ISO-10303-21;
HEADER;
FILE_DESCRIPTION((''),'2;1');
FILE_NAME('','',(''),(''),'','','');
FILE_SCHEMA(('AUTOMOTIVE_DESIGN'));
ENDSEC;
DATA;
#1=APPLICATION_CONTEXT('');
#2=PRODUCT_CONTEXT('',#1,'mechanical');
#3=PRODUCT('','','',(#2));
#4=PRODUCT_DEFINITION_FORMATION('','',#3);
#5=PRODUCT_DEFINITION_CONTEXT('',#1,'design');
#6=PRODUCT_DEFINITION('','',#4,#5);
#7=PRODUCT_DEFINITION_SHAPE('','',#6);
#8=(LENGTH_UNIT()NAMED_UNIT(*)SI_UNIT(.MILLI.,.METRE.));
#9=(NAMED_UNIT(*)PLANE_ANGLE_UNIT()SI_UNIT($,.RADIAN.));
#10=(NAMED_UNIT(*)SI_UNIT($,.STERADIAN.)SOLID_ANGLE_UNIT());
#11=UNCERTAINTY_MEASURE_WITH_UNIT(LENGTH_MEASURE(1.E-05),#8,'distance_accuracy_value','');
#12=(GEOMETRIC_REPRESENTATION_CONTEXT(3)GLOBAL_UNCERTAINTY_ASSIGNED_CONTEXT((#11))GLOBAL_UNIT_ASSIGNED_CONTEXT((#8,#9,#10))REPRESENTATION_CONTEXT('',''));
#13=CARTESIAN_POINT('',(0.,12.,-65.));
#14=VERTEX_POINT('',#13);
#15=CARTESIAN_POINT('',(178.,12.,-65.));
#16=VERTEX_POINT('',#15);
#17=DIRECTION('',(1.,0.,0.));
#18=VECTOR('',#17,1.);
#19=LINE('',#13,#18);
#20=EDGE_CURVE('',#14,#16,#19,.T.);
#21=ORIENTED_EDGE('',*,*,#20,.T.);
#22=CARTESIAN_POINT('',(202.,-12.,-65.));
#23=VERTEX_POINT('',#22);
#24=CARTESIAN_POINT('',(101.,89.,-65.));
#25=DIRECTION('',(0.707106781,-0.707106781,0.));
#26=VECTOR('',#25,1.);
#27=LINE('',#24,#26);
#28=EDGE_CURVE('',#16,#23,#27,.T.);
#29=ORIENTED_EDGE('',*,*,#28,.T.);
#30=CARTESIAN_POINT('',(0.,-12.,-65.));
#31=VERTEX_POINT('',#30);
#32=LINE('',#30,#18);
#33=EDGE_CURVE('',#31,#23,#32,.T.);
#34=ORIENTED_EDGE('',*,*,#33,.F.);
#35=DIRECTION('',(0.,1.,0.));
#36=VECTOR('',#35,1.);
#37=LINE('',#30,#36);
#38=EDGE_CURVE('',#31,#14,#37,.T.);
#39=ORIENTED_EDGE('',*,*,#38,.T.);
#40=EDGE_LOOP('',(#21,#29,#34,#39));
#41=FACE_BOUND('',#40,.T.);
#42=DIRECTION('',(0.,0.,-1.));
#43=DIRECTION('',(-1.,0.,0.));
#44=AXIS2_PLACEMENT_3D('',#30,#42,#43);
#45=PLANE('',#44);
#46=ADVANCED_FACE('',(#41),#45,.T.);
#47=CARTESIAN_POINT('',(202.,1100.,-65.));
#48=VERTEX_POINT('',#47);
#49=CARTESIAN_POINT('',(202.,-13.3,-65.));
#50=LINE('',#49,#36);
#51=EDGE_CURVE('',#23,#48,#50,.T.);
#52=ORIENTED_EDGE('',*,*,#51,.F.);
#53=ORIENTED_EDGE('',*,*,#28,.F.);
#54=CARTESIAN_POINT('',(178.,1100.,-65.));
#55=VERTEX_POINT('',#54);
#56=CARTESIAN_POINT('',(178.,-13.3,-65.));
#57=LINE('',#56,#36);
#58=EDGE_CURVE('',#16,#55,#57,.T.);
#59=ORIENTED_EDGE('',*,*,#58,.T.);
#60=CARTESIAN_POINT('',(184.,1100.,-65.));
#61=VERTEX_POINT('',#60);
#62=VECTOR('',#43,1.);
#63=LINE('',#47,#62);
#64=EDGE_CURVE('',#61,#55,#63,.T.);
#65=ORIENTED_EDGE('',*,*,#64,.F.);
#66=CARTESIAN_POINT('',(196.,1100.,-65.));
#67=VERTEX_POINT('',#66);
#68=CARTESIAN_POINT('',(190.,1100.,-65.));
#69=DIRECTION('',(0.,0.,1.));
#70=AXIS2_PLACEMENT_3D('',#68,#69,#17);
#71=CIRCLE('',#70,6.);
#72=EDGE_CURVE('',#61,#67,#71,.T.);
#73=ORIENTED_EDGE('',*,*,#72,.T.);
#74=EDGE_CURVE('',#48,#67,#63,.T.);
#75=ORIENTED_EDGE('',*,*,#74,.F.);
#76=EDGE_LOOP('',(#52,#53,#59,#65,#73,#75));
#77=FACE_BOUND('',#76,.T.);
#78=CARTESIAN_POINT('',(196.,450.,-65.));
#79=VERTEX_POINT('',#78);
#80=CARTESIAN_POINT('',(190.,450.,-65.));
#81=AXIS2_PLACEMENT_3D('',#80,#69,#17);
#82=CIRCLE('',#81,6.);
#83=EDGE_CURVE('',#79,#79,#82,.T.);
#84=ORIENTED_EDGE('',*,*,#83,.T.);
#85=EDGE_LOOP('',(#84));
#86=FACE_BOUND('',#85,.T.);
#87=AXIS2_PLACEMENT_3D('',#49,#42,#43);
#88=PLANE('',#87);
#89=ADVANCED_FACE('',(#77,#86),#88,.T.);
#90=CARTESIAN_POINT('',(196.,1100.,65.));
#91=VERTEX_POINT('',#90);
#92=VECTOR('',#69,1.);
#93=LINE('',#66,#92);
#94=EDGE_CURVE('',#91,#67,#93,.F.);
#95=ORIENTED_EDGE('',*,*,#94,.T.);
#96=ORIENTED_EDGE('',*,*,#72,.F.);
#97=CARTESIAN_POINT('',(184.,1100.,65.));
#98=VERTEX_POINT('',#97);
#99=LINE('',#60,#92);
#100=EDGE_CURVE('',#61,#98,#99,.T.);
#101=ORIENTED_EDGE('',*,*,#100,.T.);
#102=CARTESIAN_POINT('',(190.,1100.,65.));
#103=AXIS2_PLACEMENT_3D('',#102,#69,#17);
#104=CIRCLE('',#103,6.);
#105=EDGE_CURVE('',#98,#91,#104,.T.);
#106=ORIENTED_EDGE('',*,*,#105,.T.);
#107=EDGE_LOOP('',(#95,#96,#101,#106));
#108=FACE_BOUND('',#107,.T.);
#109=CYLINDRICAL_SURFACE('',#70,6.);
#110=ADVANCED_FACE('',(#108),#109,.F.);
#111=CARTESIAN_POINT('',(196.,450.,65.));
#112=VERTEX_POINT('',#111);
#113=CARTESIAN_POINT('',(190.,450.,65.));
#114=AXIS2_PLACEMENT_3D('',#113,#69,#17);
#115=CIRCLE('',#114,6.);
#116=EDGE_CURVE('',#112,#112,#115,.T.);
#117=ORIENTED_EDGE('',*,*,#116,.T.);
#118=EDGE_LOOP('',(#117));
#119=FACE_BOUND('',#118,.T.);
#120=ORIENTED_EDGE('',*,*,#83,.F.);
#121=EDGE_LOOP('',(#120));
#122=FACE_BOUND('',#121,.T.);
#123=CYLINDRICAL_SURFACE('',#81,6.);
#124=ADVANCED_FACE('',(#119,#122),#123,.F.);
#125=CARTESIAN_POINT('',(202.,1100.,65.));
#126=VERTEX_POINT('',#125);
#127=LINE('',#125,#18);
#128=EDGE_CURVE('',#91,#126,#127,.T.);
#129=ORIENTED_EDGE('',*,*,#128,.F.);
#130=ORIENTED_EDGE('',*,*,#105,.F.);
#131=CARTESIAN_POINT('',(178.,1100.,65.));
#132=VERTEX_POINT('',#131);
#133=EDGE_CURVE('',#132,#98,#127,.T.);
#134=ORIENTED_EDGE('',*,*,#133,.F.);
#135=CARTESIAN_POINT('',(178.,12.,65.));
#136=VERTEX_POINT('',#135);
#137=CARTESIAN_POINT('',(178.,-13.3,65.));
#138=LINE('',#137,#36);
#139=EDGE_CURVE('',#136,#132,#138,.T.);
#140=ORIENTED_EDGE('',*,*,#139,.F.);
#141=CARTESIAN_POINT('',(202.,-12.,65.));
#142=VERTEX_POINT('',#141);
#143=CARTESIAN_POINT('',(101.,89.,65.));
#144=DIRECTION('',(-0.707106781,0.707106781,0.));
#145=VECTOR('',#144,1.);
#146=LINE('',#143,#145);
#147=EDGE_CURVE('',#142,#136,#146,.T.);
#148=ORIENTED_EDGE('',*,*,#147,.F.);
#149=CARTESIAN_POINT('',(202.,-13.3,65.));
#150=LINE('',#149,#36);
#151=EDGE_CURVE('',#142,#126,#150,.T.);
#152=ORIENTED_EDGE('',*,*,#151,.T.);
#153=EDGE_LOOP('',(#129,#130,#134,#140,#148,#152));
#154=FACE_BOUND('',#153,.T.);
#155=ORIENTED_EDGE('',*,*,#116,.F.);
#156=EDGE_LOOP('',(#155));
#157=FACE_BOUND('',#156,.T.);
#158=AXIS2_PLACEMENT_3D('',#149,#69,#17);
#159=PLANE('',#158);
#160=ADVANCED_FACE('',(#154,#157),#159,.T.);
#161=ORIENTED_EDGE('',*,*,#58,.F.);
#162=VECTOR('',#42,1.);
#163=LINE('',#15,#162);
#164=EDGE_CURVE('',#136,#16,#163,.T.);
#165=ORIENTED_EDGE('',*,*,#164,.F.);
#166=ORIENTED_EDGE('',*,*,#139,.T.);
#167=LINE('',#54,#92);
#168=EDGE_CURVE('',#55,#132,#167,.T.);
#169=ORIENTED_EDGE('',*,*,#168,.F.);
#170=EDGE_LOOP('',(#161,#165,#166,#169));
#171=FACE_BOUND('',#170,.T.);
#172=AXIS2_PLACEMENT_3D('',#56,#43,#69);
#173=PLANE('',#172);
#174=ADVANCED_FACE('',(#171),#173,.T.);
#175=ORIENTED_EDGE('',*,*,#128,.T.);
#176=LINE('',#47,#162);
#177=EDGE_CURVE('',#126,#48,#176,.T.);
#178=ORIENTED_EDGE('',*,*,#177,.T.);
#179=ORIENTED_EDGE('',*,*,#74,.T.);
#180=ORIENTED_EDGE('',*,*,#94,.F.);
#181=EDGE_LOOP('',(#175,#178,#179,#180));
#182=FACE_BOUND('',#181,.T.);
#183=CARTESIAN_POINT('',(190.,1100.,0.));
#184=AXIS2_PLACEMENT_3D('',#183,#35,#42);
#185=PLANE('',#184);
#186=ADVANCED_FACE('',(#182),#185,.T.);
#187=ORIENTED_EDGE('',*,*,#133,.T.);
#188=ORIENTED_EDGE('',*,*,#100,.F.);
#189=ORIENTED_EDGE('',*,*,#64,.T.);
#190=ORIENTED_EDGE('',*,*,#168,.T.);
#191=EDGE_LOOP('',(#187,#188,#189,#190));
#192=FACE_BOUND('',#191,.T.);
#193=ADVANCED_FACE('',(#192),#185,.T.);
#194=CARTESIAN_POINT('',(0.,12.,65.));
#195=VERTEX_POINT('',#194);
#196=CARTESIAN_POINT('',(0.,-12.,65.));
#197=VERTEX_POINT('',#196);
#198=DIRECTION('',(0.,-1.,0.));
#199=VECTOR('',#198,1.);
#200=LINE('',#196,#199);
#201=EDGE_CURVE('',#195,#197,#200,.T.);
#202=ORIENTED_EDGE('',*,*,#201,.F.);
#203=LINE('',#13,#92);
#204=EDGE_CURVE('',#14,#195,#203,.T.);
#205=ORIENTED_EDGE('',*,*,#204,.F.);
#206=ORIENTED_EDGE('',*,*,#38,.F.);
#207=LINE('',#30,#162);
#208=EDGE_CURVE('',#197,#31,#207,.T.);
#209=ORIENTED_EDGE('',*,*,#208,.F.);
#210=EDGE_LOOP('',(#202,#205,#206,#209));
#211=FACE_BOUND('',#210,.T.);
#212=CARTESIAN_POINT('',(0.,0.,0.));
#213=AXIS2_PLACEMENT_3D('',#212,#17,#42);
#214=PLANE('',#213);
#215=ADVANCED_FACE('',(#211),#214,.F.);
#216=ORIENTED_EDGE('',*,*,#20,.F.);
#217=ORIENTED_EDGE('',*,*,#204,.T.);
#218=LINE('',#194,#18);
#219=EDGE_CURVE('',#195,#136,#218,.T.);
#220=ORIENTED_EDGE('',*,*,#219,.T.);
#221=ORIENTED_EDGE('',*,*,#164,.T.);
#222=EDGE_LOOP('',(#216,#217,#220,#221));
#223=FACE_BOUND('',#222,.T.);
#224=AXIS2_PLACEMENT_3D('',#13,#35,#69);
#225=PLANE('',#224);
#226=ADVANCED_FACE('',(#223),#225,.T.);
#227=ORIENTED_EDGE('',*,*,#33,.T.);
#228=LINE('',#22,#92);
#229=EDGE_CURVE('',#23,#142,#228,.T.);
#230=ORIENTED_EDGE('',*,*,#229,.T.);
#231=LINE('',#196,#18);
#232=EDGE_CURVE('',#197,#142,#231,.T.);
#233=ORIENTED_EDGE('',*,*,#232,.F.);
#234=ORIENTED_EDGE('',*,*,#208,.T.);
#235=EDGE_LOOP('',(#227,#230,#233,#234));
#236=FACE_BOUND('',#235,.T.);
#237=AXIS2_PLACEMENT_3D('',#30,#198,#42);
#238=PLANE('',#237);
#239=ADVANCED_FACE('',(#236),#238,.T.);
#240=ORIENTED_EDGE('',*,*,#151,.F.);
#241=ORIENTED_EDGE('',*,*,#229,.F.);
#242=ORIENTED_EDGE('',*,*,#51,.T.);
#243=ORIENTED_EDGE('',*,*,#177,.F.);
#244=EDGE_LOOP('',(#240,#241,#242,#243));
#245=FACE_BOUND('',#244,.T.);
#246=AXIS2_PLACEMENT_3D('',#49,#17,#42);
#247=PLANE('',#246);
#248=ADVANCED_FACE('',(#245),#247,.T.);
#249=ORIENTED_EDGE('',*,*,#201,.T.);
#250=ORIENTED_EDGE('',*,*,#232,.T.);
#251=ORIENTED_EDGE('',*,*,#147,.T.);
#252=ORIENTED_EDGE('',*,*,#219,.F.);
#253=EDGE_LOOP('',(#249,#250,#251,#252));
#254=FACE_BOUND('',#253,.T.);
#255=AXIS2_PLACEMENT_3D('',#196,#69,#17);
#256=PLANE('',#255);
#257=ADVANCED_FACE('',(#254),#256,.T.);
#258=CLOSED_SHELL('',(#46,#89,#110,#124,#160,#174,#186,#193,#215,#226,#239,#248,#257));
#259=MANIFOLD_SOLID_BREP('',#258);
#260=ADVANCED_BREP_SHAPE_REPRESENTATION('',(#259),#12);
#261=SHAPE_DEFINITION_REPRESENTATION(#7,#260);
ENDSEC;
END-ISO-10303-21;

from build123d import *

# Parameters (mm, degrees)
SZKIC2_W                   = 130
SZKIC2_H                   = 24
SZKIC3_R                   = 6
WYTNIJ_WYCI_GNI_CIE1_DEPTH = 131


with BuildPart() as part:
    # Wyciągnięcie po ścieżce1: sweep along a path in Szkic1
    with BuildLine(Plane.XY) as wyci_gni_cie_po_cie_ce1_path:
        Line((0, 0), (190, 0))
        Line((190, 0), (190, 1100))
    # Szkic2 → Wyciągnięcie po ścieżce1 (sweep)
    with BuildSketch(Plane(origin=(0, 0, 0), x_dir=(0, 0, -1), z_dir=(1, 0, 0))):
        Rectangle(SZKIC2_W, SZKIC2_H)
    sweep(path=wyci_gni_cie_po_cie_ce1_path.line, transition=Transition.RIGHT)

    # Szkic3 → Wytnij-wyciągnięcie1 (cut, through all)
    with BuildSketch(Plane.XY.offset(65)):
        with Locations((190, 1100)):
            Circle(SZKIC3_R)
        with Locations((190, 450)):
            Circle(SZKIC3_R)
    extrude(amount=-WYTNIJ_WYCI_GNI_CIE1_DEPTH, mode=Mode.SUBTRACT)


solid = part.part
